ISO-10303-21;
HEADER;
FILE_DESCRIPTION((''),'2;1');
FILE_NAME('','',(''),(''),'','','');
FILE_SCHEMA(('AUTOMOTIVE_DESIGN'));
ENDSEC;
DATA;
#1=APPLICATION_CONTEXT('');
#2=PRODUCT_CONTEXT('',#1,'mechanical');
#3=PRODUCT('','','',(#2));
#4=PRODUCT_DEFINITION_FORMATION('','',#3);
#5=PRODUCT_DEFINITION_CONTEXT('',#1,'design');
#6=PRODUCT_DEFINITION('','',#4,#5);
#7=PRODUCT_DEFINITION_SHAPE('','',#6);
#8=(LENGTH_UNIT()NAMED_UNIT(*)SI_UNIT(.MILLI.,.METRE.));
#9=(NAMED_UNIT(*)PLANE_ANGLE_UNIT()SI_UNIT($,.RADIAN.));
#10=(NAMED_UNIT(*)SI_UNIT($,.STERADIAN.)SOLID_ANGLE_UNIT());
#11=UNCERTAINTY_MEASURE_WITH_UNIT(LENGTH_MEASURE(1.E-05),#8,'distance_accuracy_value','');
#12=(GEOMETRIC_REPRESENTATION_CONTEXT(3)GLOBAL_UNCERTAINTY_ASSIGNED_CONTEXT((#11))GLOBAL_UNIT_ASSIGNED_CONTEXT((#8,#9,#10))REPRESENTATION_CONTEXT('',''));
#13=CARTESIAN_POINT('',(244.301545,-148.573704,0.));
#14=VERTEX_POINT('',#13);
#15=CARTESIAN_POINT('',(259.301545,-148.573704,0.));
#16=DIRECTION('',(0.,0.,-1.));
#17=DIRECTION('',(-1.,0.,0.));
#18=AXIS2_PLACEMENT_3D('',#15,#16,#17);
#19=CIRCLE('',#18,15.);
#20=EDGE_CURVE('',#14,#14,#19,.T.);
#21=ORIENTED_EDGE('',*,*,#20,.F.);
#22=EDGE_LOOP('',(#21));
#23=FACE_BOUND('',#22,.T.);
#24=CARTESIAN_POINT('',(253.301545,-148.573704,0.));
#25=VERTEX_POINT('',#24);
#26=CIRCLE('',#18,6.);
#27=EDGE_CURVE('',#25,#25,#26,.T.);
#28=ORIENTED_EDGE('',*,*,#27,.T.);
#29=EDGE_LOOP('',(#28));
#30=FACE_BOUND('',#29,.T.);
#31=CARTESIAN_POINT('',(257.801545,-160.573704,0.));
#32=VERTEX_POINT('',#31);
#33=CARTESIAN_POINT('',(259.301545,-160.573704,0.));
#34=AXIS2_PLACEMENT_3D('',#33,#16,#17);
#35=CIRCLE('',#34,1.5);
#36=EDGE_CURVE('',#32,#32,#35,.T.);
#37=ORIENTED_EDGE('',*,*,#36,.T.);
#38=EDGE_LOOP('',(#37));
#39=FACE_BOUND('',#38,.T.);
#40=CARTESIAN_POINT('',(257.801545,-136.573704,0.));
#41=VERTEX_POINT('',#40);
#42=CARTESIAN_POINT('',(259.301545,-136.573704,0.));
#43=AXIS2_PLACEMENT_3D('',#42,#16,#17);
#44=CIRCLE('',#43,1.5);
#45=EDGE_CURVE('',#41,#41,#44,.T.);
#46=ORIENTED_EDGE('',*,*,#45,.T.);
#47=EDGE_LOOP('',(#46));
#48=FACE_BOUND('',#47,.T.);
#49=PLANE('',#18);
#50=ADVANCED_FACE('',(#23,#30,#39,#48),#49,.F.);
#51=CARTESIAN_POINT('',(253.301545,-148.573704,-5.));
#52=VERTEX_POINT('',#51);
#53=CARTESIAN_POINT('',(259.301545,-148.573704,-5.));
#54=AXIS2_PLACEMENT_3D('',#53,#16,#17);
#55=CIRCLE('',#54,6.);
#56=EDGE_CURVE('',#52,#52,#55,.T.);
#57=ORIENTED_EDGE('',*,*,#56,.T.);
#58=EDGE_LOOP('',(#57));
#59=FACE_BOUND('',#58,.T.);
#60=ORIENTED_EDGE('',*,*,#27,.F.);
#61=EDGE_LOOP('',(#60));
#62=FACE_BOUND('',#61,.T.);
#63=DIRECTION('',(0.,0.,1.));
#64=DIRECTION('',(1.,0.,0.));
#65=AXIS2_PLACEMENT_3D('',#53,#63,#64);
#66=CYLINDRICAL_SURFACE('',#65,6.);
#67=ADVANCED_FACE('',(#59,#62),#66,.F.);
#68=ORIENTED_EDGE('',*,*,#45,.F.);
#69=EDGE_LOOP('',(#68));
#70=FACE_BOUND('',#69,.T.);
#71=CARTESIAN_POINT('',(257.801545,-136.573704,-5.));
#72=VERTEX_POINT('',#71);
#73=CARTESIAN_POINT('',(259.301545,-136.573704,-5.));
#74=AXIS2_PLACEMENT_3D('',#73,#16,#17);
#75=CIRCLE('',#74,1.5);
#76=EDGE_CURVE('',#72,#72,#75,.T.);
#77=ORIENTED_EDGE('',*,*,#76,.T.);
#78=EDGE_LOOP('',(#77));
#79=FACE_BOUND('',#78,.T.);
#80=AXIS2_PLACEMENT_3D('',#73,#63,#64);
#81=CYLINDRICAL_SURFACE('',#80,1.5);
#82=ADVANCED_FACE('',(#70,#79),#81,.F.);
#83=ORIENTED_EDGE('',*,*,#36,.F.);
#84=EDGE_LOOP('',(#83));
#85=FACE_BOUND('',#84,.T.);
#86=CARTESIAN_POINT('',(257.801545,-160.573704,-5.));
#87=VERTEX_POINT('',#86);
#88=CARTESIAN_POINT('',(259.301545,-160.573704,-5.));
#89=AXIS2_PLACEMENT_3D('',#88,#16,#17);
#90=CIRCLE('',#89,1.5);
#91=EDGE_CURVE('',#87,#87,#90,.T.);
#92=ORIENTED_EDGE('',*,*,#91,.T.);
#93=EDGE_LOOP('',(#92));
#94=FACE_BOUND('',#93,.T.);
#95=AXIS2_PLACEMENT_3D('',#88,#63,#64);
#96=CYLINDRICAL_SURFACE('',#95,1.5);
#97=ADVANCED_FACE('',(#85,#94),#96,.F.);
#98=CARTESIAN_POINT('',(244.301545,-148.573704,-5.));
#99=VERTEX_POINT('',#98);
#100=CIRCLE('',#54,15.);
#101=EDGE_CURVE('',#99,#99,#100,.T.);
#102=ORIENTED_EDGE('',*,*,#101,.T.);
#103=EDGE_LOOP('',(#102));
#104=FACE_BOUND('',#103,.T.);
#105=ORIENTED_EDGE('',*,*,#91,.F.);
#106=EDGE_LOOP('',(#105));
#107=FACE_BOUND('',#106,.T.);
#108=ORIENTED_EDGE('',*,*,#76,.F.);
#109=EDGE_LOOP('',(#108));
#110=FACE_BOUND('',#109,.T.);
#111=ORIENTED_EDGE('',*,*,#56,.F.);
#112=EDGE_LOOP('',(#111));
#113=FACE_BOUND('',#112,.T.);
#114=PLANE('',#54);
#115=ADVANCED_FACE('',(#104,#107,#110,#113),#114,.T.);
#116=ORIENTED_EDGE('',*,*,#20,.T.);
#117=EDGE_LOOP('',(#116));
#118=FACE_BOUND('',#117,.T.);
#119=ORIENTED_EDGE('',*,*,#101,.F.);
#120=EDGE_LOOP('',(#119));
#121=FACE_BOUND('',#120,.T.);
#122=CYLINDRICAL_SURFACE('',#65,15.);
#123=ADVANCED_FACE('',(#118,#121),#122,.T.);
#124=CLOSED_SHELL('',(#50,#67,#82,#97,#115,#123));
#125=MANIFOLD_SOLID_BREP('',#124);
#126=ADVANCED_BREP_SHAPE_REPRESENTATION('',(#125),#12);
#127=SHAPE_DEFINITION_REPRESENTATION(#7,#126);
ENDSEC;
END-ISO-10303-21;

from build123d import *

# Parameters (mm, degrees)
SKETCH19_R          = 15
SKETCH19_R_2        = 6
SKETCH19_R_3        = 1.5
BOSS_EXTRUDE1_DEPTH = 5


with BuildPart() as part:
    # Sketch19 → Boss-Extrude1 (new body)
    with BuildSketch(Plane(origin=(259.301545348, 0, 0), x_dir=(-1, 0, 0), z_dir=(0, 0, -1))):
        with Locations((0, -148.573704322)):
            Circle(SKETCH19_R)
        with Locations((0, -148.573704322)):
            Circle(SKETCH19_R_2, mode=Mode.SUBTRACT)
        with Locations((0, -136.573704322)):
            Circle(SKETCH19_R_3, mode=Mode.SUBTRACT)
        with Locations((0, -160.573704322)):
            Circle(SKETCH19_R_3, mode=Mode.SUBTRACT)
    extrude(amount=BOSS_EXTRUDE1_DEPTH)


solid = part.part
